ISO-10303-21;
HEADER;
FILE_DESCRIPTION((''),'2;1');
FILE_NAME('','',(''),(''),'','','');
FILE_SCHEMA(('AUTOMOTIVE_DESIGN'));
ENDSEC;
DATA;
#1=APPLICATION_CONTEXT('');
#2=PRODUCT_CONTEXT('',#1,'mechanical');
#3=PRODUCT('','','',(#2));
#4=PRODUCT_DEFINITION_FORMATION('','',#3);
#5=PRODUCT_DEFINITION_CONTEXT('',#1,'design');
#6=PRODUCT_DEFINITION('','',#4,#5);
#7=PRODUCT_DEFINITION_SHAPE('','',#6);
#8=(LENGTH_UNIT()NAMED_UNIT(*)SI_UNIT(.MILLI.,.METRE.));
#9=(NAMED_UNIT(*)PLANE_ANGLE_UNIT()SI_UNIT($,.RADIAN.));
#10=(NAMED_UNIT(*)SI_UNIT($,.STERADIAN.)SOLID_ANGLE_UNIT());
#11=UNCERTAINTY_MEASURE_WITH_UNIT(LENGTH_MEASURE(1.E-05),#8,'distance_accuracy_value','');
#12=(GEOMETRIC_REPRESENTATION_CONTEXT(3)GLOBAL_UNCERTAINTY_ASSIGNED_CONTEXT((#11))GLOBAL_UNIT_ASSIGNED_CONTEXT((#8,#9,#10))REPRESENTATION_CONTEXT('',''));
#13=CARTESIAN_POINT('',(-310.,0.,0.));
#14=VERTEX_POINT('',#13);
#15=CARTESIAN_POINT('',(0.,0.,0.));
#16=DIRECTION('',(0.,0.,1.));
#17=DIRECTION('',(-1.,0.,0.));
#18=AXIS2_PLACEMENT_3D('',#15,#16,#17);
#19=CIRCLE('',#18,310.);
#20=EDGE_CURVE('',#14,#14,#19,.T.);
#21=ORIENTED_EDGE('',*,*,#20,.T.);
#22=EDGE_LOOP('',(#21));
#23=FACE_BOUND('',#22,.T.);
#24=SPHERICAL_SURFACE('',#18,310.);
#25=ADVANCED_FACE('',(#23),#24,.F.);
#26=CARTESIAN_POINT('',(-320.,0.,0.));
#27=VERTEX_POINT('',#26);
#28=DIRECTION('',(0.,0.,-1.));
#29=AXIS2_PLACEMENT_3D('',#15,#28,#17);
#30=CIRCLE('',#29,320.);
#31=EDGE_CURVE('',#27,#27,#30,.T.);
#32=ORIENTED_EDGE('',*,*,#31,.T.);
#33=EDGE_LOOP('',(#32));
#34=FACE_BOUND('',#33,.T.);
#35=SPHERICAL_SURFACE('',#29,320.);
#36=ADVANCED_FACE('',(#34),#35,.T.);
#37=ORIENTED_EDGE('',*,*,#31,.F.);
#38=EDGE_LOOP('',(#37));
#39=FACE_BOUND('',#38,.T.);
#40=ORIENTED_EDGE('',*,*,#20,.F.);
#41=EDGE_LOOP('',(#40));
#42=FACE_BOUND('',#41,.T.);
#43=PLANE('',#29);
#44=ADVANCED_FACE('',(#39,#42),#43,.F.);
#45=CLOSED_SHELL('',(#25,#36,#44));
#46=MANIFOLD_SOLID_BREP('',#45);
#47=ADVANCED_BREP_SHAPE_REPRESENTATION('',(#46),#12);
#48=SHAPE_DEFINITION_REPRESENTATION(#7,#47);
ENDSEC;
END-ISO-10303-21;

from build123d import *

# Parameters (mm, degrees)
REVOLVE5_ANGLE = 180


with BuildPart() as part:
    # Sketch1 → Revolve5 (revolve)
    with BuildSketch(Plane.XY):
        with BuildLine():
            Line((0, 310), (0, 320))
            ThreePointArc((0, 320), (-320, 0), (0, -320))
            Line((0, -320), (0, -310))
            ThreePointArc((0, -310), (-310, 0), (0, 310))
        make_face()
    revolve(axis=Axis((0, -310, 0), (0, -1, 0)), revolution_arc=REVOLVE5_ANGLE)


solid = part.part
